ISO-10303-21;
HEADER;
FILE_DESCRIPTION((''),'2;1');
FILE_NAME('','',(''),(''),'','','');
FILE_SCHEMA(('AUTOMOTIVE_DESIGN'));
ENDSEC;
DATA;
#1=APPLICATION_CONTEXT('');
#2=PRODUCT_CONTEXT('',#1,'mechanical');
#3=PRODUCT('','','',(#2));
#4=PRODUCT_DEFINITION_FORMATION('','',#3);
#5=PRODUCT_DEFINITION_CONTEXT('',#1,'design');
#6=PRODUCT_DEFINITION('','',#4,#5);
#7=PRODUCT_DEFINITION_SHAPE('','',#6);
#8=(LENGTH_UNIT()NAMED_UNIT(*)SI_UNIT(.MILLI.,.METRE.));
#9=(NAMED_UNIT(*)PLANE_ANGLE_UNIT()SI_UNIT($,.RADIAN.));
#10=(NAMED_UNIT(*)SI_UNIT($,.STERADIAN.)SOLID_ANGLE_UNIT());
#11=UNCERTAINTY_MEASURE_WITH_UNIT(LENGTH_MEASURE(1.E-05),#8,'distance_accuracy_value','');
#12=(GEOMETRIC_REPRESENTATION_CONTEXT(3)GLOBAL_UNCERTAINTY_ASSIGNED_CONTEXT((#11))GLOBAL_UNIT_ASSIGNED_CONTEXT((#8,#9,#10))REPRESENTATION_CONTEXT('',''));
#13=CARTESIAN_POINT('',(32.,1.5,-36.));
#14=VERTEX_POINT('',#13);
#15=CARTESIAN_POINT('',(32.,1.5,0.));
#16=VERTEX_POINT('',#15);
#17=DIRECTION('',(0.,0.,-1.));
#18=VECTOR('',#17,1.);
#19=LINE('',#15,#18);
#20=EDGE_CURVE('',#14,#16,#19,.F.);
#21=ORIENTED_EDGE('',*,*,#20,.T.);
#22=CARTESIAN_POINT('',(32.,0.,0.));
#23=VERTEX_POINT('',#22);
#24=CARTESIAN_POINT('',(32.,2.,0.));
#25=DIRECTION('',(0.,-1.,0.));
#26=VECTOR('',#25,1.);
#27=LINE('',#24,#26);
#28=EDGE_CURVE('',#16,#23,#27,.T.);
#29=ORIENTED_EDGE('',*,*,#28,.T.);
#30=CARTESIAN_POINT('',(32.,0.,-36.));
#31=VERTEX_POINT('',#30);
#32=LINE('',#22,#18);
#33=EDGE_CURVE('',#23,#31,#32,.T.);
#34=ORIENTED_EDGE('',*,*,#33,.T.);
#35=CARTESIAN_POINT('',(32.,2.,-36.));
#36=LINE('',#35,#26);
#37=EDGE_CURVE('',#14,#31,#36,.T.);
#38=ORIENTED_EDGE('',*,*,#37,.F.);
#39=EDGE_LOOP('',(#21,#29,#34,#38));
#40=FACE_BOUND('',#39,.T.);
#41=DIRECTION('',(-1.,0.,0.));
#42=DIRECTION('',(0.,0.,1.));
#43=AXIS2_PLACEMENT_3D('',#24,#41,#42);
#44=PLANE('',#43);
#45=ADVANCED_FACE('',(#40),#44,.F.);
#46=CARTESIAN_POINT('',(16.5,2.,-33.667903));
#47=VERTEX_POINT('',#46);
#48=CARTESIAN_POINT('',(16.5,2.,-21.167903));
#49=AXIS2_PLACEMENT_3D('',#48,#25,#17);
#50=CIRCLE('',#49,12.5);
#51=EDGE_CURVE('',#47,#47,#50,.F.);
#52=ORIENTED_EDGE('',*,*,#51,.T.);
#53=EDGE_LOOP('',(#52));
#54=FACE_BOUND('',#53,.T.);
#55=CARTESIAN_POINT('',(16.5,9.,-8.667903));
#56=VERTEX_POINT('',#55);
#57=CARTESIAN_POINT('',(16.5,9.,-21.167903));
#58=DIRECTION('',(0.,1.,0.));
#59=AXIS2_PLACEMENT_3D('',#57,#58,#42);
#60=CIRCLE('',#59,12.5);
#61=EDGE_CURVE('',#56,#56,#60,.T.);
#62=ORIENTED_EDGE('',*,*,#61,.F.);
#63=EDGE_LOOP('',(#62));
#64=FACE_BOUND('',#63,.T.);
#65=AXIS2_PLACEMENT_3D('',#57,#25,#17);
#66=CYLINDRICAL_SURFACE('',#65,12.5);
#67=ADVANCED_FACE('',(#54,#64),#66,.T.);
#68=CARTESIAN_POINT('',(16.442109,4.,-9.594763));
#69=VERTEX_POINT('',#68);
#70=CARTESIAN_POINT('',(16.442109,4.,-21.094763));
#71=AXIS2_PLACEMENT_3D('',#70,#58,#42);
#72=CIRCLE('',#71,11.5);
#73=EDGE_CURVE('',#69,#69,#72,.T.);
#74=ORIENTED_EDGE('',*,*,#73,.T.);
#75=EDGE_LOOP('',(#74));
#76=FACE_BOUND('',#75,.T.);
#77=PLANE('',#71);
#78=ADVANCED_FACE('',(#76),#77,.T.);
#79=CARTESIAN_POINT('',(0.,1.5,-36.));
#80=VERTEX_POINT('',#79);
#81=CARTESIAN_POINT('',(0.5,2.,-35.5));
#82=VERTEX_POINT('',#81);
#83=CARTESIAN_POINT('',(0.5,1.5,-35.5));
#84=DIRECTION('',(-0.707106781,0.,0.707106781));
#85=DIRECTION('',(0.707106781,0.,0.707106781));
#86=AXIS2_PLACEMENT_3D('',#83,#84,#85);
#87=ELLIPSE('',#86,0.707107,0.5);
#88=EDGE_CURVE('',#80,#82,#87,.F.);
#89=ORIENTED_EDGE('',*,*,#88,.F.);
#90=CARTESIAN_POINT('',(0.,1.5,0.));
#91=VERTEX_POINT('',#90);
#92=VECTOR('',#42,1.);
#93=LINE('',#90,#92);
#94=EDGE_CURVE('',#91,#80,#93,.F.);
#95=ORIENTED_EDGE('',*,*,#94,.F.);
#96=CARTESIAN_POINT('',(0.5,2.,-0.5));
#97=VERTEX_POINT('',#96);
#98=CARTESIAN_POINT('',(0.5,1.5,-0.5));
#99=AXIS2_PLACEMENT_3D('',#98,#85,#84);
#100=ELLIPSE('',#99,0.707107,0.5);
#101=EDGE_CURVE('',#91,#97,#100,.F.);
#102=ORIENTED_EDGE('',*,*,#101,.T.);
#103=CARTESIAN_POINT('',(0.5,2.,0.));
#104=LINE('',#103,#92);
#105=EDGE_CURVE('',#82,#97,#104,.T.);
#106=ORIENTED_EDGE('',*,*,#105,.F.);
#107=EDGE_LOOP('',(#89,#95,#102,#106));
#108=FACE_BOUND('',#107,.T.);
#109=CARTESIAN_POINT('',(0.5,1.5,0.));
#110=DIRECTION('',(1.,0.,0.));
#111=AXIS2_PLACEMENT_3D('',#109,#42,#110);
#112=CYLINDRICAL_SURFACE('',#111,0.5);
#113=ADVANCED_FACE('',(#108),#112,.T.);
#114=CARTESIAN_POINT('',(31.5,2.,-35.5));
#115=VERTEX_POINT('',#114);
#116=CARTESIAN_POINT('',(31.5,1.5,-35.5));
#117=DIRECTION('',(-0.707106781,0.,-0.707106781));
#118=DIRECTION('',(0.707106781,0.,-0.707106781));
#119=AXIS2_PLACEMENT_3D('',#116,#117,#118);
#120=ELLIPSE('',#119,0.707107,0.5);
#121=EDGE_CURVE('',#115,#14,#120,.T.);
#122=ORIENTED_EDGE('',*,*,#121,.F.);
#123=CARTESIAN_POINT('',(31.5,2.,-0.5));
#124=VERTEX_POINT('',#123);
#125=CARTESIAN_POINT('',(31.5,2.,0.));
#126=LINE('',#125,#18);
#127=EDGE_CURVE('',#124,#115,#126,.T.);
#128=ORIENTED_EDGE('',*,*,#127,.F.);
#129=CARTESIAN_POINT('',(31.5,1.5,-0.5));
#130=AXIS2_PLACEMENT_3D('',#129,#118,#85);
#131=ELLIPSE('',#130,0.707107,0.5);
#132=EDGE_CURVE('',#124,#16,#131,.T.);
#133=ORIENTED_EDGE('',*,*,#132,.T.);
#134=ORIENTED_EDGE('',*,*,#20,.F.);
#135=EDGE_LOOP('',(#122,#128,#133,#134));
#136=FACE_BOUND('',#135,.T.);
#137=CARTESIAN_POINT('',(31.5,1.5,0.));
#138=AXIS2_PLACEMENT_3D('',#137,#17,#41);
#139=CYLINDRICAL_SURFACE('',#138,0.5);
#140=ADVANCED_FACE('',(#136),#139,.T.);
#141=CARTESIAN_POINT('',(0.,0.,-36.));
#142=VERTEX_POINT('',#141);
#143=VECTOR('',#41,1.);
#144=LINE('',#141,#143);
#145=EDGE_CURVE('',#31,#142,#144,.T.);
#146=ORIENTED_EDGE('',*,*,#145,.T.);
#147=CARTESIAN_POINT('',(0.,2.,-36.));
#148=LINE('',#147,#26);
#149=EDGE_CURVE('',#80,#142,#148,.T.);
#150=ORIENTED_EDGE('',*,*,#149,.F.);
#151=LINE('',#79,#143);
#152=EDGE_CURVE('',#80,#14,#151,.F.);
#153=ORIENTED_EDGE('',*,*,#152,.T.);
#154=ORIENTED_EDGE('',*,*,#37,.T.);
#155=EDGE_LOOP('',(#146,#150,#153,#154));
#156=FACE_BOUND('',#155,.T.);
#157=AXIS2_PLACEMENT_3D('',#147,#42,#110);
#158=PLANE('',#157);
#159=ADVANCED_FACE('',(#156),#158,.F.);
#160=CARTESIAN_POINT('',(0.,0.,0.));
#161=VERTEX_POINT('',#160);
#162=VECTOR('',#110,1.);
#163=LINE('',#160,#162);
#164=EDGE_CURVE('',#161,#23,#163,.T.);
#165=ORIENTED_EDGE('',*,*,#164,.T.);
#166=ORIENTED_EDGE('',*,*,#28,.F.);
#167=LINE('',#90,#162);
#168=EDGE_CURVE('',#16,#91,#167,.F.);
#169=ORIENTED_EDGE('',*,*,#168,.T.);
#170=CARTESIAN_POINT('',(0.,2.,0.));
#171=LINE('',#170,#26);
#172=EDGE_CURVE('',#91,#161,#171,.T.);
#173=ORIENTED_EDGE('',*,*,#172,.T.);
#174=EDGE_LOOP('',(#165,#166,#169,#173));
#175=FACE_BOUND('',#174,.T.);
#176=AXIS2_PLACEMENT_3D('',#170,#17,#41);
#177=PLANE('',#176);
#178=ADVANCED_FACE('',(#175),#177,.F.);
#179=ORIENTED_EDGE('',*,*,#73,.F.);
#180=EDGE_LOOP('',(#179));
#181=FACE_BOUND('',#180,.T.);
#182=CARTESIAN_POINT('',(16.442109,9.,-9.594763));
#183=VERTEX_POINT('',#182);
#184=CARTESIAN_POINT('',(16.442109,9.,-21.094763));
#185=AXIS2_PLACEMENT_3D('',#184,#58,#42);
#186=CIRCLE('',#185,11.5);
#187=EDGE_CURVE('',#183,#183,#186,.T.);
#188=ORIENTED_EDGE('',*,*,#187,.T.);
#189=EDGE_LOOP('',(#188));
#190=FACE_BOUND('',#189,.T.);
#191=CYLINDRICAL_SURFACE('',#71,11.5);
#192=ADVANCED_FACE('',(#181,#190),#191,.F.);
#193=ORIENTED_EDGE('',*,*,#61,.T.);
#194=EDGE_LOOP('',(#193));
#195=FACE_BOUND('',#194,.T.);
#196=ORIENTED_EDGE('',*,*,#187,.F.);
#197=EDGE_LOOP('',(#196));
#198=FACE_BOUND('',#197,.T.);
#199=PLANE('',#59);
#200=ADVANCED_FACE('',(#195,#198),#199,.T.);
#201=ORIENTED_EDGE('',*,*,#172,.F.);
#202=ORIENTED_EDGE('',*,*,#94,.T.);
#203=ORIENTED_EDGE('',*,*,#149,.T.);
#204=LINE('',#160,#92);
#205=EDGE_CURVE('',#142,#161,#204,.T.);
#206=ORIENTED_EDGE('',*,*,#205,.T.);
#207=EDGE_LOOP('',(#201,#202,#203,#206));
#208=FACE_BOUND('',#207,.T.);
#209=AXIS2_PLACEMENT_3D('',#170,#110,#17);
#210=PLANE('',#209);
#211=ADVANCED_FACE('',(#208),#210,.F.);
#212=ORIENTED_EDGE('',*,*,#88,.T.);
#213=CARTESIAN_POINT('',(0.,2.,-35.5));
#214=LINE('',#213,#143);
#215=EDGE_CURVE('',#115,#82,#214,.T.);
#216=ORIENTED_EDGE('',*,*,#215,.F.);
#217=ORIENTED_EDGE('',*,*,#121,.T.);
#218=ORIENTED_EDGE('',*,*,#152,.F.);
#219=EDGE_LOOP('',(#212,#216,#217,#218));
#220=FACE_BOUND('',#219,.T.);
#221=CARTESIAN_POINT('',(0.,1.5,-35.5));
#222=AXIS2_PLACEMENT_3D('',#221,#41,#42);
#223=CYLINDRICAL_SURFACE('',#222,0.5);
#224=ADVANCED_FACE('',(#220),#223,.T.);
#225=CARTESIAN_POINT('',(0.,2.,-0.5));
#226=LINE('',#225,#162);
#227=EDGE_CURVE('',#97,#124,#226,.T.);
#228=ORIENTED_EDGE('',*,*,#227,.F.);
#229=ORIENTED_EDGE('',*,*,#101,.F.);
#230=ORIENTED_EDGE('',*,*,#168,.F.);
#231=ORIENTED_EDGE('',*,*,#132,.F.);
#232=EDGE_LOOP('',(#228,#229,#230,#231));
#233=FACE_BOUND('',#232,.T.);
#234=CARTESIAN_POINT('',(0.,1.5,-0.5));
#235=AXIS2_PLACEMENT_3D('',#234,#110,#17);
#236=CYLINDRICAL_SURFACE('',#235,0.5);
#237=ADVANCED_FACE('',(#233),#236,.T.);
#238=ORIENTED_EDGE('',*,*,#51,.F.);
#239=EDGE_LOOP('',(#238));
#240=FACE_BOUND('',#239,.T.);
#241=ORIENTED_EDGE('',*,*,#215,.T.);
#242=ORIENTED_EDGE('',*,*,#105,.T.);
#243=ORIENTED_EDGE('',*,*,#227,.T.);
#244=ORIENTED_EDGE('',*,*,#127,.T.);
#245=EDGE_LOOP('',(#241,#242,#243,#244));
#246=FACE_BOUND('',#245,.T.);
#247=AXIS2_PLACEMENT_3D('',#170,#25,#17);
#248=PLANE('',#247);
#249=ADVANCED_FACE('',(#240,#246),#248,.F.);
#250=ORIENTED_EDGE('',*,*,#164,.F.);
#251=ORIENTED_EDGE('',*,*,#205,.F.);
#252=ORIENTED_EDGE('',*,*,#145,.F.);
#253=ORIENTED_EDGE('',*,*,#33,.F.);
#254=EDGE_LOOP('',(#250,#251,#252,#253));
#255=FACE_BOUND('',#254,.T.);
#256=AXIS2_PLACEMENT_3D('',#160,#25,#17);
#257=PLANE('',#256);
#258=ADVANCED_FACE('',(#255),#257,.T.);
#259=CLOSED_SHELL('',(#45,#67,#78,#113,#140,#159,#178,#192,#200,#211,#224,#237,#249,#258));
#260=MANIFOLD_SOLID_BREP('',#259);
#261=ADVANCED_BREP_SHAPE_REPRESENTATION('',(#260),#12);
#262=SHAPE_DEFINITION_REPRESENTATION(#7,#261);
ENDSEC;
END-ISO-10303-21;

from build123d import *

# Parameters (mm, degrees)
SKETCH_1_W          = 32
SKETCH_1_H          = 36
EXTRUDE_1_DEPTH     = 2
FILLET_3_R          = 0.5
SKETCH_2_R          = 12.5
EXTRUDE_2_DEPTH     = 7
SKETCH_3_R          = 11.5
SKETCH_3_R_2        = 0.070206985
CUT_EXTRUDE_1_DEPTH = 5


with BuildPart() as part:
    # 草图1 → 凸台-拉伸1 (new body)
    with BuildSketch(Plane(origin=(0, 0, 0), x_dir=(1, 0, 0), z_dir=(0, 1, 0))):
        with Locations((16, 18)):
            Rectangle(SKETCH_1_W, SKETCH_1_H)
    extrude(amount=EXTRUDE_1_DEPTH)

    # 圆角3
    fillet_3_edges = [part.edges().sort_by_distance(p)[0] for p in [
        (32, 2, -18),
        (16, 2, -36),
        (0, 2, -18),
        (16, 2, 0),
    ]]
    fillet(fillet_3_edges, radius=FILLET_3_R)

    # 草图2 → 凸台-拉伸2 (add)
    with BuildSketch(Plane(origin=(0, 2, 0), x_dir=(1, 0, 0), z_dir=(0, 1, 0))):
        with Locations(Location((16.5, 21.167902567, 0), (0, 0, 90))):
            Circle(SKETCH_2_R)
    extrude(amount=EXTRUDE_2_DEPTH)

    # 草图3 → 切除-拉伸1 (cut)
    with BuildSketch(Plane(origin=(0, 9, 0), x_dir=(1, 0, 0), z_dir=(0, 1, 0))):
        with Locations(Location((16.442109052, 21.094763366, 0), (0, 0, 270))):
            Circle(SKETCH_3_R)
        with Locations((0, 24.191575331)):
            Circle(SKETCH_3_R_2)
    extrude(amount=-CUT_EXTRUDE_1_DEPTH, mode=Mode.SUBTRACT)


solid = part.part
